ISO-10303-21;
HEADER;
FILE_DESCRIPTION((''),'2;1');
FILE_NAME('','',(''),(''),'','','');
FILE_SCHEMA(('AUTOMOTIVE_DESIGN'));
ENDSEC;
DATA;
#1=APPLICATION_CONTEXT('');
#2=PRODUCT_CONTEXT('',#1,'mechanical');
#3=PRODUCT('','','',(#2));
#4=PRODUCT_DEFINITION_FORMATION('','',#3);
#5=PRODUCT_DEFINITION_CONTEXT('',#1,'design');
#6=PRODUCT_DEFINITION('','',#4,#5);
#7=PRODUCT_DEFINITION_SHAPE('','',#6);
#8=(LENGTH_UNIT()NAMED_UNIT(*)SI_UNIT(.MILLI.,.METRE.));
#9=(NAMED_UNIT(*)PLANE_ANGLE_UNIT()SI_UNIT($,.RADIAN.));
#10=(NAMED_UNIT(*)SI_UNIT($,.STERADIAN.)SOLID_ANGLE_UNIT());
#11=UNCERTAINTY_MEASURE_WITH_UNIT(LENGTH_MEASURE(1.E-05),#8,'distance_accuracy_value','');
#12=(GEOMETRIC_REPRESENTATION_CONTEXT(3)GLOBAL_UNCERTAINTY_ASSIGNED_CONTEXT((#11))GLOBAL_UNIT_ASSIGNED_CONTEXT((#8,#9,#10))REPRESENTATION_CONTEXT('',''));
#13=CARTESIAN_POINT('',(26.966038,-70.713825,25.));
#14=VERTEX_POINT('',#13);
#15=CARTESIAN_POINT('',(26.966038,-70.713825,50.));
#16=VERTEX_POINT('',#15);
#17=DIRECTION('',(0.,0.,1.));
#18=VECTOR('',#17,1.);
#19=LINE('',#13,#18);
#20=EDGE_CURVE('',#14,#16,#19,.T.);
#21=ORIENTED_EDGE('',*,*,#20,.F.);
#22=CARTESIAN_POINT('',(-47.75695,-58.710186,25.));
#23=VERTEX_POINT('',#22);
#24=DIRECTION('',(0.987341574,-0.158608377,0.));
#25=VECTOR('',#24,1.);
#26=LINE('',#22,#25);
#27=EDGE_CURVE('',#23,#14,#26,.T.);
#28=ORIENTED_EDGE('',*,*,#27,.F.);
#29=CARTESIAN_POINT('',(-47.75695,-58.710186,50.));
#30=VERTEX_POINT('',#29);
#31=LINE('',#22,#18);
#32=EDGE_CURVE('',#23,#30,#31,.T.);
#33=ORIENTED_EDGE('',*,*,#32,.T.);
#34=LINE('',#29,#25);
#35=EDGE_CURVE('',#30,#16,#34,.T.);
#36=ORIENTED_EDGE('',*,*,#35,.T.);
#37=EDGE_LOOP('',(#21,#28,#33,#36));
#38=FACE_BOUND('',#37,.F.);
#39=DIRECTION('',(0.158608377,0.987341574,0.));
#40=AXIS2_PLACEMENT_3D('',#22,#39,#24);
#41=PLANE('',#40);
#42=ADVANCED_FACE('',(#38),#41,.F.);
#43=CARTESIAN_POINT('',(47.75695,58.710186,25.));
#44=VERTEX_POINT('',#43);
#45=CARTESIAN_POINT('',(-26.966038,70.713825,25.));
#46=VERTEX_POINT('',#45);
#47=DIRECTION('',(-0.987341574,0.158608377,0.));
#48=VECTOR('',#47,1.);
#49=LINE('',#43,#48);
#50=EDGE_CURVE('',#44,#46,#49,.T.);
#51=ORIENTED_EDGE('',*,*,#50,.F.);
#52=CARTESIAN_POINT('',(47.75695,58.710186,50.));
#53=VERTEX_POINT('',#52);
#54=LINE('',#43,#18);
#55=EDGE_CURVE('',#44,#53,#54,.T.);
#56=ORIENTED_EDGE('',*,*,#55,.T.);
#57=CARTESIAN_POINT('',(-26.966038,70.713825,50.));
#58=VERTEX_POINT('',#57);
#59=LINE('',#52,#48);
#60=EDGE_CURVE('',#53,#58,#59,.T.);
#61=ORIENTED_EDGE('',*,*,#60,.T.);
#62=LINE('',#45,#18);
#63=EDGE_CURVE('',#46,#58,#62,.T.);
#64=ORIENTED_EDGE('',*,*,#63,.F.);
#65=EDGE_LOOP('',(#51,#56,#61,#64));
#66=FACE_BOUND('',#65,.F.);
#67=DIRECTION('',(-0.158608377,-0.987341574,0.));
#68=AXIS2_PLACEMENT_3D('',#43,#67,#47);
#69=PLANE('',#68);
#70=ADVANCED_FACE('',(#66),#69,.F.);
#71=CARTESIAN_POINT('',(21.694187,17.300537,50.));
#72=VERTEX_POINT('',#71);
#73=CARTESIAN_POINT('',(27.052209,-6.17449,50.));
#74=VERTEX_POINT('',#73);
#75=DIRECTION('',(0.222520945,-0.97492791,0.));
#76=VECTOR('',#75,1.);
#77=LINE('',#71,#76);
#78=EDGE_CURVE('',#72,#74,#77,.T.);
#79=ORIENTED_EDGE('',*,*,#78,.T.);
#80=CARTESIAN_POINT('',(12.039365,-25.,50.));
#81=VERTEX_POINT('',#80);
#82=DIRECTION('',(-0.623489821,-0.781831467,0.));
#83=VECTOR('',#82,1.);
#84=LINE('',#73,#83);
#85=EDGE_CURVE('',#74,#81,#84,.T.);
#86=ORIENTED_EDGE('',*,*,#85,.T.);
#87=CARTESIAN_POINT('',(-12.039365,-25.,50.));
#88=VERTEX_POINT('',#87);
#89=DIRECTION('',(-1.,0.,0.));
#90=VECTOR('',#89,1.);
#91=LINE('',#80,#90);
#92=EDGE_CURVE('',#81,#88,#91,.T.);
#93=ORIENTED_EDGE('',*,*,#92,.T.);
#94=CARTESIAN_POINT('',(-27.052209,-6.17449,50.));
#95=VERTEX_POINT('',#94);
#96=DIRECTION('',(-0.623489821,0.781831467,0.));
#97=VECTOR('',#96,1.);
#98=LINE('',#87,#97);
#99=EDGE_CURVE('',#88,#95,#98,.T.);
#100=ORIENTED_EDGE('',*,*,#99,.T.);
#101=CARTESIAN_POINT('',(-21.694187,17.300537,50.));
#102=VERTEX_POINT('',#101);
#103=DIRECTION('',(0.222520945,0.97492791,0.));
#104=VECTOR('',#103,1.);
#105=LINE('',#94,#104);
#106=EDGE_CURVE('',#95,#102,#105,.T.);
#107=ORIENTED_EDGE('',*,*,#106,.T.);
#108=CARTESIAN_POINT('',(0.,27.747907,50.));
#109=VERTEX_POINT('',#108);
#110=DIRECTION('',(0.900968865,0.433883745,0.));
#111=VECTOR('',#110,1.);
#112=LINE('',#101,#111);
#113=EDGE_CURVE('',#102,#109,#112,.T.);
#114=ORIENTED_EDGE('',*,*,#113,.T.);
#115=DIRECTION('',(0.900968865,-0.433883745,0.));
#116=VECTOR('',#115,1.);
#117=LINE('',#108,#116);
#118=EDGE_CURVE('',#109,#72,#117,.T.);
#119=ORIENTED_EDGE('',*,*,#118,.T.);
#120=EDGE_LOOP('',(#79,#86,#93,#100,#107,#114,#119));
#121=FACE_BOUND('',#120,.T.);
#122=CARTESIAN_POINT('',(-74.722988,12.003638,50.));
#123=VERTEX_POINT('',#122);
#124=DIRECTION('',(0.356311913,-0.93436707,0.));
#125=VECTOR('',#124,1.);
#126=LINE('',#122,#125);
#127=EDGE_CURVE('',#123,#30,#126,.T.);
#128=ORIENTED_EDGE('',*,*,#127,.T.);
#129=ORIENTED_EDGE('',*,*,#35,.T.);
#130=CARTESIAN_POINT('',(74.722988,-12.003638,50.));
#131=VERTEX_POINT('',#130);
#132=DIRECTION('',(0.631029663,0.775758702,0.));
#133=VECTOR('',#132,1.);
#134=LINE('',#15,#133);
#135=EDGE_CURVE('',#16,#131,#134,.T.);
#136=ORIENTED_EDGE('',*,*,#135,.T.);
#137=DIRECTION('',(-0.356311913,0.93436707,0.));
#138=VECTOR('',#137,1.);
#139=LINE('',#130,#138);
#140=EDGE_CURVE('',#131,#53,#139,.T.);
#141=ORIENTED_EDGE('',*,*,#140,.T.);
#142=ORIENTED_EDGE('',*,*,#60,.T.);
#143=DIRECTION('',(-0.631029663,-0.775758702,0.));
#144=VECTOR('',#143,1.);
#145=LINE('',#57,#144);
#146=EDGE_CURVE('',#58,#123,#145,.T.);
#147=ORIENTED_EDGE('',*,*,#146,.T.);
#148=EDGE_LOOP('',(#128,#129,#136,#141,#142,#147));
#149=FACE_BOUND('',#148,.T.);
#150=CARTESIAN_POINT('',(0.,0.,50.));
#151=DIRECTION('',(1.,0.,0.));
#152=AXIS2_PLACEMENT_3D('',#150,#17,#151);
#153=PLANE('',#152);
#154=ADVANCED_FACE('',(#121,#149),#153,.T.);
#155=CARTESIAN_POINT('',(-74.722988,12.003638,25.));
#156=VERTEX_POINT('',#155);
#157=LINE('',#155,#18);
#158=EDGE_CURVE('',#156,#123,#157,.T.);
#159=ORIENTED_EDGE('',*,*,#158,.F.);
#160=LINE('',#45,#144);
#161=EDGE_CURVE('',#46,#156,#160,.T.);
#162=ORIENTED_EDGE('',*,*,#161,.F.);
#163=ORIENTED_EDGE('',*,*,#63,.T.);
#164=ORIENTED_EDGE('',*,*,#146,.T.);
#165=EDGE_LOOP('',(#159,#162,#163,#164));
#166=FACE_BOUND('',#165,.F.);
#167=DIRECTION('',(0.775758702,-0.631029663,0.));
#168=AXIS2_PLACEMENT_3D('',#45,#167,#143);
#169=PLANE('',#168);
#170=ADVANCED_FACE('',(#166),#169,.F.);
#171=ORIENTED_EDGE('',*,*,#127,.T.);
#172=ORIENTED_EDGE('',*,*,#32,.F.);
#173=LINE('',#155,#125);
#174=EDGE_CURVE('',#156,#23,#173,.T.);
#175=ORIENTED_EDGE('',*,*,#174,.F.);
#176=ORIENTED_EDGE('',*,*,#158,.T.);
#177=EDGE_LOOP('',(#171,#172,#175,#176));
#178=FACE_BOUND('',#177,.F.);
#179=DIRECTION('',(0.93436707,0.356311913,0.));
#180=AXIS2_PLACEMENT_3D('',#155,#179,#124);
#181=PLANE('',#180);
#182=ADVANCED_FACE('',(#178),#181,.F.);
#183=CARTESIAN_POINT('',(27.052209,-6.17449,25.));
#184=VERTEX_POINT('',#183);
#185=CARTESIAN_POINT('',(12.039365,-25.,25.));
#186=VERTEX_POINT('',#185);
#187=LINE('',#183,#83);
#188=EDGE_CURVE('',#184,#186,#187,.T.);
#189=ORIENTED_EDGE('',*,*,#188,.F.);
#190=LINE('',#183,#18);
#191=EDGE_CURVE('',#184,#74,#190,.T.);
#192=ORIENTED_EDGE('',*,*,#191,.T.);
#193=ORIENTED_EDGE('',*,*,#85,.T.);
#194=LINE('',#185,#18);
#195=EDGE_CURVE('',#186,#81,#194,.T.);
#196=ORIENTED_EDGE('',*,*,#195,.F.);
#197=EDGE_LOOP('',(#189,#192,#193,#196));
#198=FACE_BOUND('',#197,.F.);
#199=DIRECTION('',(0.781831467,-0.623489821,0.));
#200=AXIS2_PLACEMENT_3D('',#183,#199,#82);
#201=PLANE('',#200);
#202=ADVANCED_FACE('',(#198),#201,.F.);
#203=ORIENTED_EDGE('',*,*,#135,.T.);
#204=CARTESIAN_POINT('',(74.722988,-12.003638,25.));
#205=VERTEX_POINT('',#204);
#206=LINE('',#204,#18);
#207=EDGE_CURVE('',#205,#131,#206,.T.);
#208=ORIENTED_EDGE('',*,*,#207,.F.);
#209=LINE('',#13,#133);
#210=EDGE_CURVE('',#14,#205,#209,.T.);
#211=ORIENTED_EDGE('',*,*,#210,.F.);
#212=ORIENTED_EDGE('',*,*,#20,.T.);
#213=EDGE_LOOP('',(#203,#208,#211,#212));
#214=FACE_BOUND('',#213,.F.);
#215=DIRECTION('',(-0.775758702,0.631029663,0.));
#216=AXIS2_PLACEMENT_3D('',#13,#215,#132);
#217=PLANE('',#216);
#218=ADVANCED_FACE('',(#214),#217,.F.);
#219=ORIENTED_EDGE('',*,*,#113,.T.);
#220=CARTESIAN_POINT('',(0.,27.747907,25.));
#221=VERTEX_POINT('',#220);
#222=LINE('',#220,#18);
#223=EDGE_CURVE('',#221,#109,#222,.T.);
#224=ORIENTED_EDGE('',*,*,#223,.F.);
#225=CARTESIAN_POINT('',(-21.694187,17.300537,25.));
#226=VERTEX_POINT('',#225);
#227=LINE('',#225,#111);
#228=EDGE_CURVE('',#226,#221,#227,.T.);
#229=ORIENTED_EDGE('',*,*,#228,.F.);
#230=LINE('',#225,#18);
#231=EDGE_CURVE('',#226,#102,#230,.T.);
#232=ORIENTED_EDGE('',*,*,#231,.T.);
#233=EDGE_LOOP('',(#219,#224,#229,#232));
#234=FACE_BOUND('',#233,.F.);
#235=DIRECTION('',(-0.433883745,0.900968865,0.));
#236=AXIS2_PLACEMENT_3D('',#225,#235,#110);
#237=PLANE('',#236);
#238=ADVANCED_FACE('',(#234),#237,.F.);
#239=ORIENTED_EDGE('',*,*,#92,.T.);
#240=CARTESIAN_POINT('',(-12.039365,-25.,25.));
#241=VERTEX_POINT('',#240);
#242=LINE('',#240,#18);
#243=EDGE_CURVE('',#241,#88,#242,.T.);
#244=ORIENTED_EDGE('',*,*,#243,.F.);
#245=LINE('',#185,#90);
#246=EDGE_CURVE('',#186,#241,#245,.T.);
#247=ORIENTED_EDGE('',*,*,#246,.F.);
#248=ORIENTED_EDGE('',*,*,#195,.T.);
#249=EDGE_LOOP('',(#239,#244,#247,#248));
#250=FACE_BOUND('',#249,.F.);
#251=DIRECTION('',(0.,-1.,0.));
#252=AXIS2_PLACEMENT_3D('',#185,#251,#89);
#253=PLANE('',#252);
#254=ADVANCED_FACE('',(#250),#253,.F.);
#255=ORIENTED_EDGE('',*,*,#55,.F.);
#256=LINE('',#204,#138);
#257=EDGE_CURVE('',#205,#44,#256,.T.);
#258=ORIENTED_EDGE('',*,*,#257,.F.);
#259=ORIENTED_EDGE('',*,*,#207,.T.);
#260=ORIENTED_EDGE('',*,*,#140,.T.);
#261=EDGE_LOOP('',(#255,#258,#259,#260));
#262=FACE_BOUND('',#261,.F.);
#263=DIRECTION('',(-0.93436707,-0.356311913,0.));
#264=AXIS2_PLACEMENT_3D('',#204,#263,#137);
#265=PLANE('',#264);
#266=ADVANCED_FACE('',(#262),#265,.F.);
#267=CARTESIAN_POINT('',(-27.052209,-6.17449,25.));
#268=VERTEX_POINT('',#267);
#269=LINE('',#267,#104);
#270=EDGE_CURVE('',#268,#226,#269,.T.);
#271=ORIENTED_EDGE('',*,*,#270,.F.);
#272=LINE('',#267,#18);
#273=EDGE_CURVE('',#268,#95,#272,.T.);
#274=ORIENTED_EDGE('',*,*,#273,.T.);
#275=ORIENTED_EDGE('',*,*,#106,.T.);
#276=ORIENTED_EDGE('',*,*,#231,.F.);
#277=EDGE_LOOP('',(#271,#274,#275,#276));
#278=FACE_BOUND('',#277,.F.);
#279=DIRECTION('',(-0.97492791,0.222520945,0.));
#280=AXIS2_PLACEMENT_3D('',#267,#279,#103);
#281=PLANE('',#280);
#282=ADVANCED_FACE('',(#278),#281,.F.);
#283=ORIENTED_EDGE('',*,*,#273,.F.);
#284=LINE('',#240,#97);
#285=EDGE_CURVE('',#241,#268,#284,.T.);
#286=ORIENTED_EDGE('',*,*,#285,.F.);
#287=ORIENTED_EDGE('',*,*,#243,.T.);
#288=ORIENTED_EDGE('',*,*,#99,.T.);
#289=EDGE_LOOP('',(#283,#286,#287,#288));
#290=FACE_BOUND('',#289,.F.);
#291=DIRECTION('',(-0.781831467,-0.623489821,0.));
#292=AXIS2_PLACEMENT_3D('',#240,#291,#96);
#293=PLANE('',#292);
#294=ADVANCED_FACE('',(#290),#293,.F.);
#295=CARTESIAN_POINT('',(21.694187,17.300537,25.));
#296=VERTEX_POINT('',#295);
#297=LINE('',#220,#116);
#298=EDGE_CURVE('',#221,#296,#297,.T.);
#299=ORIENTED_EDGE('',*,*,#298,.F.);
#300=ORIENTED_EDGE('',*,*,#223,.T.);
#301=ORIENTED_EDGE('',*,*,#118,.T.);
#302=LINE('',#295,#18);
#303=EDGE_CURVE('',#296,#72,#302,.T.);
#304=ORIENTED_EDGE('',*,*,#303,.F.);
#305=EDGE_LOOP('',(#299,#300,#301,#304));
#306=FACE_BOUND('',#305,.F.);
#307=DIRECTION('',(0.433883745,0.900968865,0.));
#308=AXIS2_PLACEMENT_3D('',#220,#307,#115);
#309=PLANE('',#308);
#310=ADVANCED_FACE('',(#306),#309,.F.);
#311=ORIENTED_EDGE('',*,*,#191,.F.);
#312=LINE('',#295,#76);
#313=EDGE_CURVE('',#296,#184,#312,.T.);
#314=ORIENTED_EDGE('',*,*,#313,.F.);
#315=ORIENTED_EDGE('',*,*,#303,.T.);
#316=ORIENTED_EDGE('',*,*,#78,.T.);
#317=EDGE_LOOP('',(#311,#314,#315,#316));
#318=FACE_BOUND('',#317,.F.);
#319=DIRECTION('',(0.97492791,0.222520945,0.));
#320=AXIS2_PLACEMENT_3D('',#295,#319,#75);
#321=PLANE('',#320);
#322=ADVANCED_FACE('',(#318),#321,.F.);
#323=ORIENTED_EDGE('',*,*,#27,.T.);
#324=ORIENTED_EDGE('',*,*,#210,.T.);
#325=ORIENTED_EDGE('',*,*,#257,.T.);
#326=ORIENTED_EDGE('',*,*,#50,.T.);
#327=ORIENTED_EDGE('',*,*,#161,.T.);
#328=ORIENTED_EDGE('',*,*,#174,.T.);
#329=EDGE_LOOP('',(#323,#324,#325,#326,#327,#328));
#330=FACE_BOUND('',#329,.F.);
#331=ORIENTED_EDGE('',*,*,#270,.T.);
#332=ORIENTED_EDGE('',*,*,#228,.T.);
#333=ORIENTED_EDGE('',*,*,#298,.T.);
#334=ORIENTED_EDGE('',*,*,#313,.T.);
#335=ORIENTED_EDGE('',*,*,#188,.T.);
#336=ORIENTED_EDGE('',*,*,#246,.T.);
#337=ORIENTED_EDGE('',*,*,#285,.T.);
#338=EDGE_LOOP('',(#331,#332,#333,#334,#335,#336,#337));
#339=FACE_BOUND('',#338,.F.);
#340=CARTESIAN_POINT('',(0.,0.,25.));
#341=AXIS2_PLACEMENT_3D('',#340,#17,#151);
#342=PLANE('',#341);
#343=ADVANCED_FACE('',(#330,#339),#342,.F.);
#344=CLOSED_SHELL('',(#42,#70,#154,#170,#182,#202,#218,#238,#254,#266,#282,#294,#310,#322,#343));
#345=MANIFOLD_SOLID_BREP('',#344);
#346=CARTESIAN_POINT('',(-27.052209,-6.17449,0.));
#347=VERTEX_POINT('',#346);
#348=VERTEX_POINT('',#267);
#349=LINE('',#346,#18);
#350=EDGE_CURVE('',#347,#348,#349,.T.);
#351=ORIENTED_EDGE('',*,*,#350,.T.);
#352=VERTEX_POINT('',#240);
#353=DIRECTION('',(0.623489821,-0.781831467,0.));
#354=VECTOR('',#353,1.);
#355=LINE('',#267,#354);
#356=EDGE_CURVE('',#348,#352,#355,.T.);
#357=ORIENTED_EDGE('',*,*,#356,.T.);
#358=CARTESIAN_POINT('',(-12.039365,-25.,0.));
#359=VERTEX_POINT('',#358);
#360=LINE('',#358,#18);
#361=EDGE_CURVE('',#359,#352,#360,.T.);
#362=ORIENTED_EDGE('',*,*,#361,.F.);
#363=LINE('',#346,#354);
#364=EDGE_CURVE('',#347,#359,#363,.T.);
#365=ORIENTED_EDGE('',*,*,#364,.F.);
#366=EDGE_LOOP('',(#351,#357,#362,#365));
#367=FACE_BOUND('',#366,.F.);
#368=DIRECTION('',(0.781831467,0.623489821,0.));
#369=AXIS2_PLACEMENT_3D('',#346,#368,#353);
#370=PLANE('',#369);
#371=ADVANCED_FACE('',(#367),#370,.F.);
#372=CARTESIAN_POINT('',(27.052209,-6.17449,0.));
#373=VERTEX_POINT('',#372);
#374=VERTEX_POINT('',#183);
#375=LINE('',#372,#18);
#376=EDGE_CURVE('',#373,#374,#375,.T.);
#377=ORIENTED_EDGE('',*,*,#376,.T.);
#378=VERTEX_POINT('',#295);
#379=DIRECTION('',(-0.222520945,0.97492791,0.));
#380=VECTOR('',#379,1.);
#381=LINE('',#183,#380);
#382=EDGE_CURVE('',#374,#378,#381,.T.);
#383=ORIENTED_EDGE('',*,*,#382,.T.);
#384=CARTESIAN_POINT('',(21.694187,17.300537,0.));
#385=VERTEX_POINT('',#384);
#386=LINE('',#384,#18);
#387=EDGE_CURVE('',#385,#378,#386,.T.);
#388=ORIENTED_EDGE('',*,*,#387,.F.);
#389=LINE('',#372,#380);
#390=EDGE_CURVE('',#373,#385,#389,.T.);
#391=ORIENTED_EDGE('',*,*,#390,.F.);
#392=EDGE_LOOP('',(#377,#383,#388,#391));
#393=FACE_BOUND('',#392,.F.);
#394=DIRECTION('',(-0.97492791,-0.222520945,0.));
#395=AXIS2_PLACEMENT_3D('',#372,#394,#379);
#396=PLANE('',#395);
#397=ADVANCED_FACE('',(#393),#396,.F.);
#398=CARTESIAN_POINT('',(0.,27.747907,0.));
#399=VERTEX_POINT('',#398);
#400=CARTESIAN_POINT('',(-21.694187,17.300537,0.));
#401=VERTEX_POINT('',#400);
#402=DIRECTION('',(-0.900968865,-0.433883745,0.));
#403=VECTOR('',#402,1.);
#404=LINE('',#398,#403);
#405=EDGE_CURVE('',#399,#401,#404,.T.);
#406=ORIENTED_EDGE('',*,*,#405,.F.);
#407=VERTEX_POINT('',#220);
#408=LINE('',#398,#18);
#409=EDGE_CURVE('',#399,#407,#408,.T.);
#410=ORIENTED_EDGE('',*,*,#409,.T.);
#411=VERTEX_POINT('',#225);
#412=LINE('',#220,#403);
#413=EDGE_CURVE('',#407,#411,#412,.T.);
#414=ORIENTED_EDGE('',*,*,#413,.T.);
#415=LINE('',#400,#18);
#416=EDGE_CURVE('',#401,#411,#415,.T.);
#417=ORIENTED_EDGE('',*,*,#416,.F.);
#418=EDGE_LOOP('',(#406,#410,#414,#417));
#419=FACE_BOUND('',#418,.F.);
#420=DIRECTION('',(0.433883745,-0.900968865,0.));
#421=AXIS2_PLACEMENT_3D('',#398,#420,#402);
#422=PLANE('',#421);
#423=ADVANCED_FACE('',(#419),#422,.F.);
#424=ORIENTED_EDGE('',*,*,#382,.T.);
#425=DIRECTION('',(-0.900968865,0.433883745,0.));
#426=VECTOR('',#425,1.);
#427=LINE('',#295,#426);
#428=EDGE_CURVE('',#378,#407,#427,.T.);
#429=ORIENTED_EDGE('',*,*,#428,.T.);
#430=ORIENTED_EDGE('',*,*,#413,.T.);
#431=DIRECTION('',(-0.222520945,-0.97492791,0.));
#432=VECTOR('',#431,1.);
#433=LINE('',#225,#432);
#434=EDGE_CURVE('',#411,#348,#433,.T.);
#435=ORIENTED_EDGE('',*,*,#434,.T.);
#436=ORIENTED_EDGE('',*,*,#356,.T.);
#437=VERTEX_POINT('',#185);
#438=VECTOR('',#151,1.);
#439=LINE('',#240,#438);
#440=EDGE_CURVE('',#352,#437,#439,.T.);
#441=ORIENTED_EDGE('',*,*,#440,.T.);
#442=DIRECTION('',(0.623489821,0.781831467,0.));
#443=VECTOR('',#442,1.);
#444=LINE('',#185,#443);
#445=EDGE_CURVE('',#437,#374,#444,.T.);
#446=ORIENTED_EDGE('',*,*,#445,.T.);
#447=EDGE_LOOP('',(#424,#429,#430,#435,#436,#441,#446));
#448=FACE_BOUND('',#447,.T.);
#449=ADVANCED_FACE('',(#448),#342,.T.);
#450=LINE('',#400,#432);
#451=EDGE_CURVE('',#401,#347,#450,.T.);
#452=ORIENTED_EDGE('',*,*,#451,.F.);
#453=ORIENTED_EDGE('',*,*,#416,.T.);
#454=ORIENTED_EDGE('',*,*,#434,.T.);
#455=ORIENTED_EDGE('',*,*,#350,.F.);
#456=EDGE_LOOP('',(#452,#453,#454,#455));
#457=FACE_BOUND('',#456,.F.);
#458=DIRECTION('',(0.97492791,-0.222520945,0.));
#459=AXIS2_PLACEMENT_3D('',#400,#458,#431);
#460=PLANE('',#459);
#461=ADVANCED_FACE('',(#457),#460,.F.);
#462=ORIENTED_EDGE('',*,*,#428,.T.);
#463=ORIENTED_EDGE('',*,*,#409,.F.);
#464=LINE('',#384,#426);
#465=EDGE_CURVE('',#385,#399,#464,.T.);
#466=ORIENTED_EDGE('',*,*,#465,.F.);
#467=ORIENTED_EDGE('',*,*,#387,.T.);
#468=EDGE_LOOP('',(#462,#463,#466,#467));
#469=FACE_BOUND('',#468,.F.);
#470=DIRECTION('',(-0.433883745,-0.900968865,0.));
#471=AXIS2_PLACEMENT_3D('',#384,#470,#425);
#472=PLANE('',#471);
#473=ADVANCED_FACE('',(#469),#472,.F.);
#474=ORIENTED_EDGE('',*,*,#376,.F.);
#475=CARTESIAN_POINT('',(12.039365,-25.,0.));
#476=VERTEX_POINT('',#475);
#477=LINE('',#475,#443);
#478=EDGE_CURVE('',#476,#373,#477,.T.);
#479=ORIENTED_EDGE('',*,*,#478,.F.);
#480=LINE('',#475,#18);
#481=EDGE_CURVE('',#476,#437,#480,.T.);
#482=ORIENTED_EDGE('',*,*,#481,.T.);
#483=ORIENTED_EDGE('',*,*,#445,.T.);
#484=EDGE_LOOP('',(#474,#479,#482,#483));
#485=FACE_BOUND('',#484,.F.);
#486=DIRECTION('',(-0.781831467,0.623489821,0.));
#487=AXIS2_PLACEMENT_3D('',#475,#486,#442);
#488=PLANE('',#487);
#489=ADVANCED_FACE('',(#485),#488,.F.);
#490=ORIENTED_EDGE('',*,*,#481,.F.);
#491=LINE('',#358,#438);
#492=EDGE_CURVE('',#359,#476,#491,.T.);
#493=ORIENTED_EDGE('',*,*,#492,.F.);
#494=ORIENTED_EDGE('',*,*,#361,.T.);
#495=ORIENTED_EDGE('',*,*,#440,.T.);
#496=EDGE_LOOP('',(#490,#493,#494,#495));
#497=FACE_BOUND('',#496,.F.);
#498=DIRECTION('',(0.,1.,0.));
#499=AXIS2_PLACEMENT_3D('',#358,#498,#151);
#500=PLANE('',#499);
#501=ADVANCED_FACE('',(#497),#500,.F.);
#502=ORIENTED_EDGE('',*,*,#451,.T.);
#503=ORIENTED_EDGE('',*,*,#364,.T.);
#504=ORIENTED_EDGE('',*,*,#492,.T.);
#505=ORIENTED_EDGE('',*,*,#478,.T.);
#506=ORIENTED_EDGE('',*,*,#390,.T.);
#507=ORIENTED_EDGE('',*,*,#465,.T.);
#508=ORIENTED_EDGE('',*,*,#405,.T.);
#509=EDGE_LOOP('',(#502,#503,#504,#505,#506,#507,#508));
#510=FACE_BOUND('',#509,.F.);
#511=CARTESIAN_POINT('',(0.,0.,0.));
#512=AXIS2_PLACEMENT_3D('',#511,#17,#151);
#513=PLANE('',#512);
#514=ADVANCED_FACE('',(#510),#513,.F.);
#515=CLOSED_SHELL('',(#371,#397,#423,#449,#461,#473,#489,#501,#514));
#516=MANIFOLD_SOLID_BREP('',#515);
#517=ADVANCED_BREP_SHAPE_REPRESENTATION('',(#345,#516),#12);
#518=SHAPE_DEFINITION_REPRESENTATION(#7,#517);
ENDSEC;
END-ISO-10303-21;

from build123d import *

# Parameters (mm, degrees)
F1_DEPTH = 25
F3_DEPTH = 25


with BuildPart() as f1:
    # F0 (on Top) → F1 (new body)
    with BuildSketch(Plane.XY):
        Polygon((-12.039365, -25), (12.039365, -25), (27.052209, -6.17449), (21.694187, 17.300537), (0, 27.747907), (-21.694187, 17.300537), (-27.052209, -6.17449), align=None)
    extrude(amount=F1_DEPTH)


with BuildPart() as f3:
    # F2 (on face) → F3 (new body)
    with BuildSketch(Plane.XY.offset(25)):
        Polygon((-26.966038, 70.713825), (-74.722988, 12.003638), (-47.75695, -58.710186), (26.966038, -70.713825), (74.722988, -12.003638), (47.75695, 58.710186), align=None)
        Polygon((-12.039365, -25), (-27.052209, -6.17449), (-21.694187, 17.300537), (0, 27.747907), (21.694187, 17.300537), (27.052209, -6.17449), (12.039365, -25), align=None, mode=Mode.SUBTRACT)
    extrude(amount=F3_DEPTH)


solid = Compound([f1.part, f3.part])
